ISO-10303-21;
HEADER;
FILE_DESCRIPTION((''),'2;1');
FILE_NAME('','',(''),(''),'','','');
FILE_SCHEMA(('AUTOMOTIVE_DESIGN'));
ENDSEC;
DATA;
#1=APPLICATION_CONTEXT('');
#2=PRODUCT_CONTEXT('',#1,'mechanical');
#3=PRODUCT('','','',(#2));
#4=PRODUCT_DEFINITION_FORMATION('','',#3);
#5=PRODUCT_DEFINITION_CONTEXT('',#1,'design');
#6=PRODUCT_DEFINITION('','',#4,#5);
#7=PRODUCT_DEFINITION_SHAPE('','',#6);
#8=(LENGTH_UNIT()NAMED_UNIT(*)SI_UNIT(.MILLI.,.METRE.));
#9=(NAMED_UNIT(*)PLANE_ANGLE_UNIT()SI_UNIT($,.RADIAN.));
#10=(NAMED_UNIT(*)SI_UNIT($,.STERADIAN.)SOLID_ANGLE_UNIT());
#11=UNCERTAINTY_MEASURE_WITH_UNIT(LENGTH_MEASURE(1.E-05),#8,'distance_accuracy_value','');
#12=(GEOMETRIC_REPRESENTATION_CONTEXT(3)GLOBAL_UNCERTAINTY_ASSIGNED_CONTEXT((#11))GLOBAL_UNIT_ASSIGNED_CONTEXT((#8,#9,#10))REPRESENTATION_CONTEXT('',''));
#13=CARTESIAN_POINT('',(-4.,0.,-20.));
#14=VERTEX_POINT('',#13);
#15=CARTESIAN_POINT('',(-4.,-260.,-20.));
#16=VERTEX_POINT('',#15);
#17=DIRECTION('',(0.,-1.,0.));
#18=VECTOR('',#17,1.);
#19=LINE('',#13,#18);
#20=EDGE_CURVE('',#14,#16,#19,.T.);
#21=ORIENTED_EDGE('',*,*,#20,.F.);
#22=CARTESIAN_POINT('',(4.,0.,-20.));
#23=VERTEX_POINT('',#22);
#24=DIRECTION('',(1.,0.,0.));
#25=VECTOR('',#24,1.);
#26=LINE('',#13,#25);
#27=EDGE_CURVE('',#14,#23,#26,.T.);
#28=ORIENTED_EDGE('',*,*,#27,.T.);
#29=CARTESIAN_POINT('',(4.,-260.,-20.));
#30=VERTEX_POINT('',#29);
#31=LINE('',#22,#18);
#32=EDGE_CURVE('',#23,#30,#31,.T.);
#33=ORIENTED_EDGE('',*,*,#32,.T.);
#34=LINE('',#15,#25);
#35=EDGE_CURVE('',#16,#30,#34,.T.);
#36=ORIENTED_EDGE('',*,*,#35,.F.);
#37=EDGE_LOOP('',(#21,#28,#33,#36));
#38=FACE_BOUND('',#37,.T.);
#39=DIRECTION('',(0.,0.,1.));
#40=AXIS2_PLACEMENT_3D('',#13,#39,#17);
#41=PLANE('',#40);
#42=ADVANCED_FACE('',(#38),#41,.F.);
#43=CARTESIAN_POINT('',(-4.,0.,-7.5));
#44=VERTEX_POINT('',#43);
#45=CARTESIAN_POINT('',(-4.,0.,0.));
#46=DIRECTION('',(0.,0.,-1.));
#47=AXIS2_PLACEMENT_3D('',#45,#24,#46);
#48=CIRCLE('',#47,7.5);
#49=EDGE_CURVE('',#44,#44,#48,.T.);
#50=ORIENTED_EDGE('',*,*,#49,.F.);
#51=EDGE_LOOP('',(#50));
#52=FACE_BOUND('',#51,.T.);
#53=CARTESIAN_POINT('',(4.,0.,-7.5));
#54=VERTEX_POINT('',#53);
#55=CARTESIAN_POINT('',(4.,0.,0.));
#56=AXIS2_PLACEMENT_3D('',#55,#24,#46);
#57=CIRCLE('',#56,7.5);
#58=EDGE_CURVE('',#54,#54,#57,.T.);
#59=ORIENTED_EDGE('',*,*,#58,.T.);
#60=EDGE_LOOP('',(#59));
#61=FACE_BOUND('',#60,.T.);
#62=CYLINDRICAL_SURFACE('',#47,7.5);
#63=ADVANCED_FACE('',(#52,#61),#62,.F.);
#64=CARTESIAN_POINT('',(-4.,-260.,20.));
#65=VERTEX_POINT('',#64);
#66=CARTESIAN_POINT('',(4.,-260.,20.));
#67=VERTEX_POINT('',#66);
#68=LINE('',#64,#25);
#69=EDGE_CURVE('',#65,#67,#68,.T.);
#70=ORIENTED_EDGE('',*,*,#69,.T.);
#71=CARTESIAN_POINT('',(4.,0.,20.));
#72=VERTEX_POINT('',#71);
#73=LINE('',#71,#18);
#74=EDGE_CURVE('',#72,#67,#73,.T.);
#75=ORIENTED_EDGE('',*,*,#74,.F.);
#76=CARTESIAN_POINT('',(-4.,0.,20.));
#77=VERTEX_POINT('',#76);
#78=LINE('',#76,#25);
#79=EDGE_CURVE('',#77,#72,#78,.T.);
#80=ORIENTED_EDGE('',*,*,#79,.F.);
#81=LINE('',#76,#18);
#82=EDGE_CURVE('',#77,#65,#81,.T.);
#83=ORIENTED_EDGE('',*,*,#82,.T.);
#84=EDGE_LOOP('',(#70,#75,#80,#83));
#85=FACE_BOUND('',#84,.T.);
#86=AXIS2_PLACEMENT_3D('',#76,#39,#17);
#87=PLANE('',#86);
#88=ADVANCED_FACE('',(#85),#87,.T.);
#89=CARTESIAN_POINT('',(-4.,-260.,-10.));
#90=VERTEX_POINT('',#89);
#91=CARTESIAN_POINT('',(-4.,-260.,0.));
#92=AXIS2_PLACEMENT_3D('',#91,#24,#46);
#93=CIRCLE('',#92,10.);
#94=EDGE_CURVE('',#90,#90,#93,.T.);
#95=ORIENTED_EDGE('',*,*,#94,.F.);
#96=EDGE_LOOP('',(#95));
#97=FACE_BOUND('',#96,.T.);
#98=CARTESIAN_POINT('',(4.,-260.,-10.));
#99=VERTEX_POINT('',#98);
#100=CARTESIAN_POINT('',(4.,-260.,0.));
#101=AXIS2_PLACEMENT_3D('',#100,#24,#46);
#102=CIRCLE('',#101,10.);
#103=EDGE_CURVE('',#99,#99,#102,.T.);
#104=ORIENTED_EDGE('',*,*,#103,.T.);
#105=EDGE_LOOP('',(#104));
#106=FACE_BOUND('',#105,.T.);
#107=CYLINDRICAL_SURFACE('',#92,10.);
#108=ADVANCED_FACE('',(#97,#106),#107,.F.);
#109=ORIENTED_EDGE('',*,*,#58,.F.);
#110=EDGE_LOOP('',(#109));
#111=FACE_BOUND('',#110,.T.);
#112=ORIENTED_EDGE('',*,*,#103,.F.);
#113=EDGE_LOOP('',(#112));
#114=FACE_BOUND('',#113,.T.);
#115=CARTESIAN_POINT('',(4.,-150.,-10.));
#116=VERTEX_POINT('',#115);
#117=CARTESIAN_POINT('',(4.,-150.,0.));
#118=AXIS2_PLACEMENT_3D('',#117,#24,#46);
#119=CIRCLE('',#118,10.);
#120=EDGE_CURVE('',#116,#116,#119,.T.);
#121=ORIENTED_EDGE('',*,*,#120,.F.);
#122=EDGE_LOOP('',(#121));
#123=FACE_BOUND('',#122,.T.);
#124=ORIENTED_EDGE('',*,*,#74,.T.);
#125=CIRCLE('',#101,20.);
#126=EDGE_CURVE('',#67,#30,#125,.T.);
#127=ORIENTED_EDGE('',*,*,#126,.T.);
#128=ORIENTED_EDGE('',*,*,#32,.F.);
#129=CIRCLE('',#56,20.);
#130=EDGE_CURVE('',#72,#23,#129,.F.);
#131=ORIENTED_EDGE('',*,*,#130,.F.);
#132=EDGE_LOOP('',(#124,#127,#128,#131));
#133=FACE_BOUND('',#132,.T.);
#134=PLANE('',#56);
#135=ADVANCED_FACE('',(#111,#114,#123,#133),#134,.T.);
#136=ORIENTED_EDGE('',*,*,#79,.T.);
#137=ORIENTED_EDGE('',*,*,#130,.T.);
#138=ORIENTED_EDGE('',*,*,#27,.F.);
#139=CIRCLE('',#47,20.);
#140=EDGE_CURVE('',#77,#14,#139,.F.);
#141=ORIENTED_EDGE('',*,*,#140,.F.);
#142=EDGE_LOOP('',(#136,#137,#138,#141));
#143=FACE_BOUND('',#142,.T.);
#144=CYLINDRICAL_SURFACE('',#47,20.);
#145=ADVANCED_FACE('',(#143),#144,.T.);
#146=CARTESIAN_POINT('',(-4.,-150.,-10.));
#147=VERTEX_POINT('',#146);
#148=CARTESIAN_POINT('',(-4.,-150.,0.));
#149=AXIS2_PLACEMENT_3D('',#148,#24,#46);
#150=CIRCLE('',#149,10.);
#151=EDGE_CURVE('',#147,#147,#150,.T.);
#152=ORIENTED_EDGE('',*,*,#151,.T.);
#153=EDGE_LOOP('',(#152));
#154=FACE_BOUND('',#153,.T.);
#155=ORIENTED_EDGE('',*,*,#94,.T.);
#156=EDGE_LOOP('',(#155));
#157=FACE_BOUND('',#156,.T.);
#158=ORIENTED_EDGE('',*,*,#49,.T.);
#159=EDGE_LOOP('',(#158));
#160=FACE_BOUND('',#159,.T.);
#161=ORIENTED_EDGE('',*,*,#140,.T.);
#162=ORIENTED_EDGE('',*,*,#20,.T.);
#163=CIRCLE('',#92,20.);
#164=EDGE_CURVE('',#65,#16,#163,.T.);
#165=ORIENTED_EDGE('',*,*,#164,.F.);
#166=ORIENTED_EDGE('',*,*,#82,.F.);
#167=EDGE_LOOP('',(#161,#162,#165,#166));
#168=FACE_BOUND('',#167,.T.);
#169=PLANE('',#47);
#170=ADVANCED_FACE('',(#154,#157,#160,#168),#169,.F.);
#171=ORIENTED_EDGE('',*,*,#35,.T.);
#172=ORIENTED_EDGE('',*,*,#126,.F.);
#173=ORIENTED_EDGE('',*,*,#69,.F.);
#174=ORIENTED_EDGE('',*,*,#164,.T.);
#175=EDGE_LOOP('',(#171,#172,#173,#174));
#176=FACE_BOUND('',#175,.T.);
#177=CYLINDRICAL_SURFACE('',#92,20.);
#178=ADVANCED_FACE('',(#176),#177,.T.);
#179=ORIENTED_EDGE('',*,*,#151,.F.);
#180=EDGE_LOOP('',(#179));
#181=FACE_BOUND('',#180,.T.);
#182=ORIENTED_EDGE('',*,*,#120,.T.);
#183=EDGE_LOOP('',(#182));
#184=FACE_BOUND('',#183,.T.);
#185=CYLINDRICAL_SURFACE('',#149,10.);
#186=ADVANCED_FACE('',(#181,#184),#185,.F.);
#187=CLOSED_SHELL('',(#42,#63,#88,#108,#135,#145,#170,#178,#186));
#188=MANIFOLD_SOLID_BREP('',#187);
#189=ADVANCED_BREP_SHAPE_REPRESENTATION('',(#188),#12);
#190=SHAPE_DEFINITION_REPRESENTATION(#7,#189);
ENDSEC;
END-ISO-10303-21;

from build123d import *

# Parameters (mm, degrees)
BOSS_EXTRUDE1_DEPTH      = 4
BOSS_EXTRUDE1_DEPTH_BACK = 4
SKETCH2_R                = 10
SKETCH2_R_2              = 7.5


with BuildPart() as part:
    # Sketch2 → Boss-Extrude1 (new, two sides: drawn at the far end of the back side and taken through both)
    with BuildSketch(Plane(origin=(0, 0, 0), x_dir=(0, 0, -1), z_dir=(1, 0, 0)).offset(-BOSS_EXTRUDE1_DEPTH_BACK)):
        with BuildLine():
            ThreePointArc((20, 0), (0, 20), (-20, 0))
            Line((-20, 0), (-20, -260))
            ThreePointArc((-20, -260), (0, -280), (20, -260))
            Line((20, -260), (20, 0))
        make_face()
        with Locations((0, -260)):
            Circle(SKETCH2_R, mode=Mode.SUBTRACT)
        with Locations((0, -150)):
            Circle(SKETCH2_R, mode=Mode.SUBTRACT)
        Circle(SKETCH2_R_2, mode=Mode.SUBTRACT)
    extrude(amount=BOSS_EXTRUDE1_DEPTH + BOSS_EXTRUDE1_DEPTH_BACK)


solid = part.part
